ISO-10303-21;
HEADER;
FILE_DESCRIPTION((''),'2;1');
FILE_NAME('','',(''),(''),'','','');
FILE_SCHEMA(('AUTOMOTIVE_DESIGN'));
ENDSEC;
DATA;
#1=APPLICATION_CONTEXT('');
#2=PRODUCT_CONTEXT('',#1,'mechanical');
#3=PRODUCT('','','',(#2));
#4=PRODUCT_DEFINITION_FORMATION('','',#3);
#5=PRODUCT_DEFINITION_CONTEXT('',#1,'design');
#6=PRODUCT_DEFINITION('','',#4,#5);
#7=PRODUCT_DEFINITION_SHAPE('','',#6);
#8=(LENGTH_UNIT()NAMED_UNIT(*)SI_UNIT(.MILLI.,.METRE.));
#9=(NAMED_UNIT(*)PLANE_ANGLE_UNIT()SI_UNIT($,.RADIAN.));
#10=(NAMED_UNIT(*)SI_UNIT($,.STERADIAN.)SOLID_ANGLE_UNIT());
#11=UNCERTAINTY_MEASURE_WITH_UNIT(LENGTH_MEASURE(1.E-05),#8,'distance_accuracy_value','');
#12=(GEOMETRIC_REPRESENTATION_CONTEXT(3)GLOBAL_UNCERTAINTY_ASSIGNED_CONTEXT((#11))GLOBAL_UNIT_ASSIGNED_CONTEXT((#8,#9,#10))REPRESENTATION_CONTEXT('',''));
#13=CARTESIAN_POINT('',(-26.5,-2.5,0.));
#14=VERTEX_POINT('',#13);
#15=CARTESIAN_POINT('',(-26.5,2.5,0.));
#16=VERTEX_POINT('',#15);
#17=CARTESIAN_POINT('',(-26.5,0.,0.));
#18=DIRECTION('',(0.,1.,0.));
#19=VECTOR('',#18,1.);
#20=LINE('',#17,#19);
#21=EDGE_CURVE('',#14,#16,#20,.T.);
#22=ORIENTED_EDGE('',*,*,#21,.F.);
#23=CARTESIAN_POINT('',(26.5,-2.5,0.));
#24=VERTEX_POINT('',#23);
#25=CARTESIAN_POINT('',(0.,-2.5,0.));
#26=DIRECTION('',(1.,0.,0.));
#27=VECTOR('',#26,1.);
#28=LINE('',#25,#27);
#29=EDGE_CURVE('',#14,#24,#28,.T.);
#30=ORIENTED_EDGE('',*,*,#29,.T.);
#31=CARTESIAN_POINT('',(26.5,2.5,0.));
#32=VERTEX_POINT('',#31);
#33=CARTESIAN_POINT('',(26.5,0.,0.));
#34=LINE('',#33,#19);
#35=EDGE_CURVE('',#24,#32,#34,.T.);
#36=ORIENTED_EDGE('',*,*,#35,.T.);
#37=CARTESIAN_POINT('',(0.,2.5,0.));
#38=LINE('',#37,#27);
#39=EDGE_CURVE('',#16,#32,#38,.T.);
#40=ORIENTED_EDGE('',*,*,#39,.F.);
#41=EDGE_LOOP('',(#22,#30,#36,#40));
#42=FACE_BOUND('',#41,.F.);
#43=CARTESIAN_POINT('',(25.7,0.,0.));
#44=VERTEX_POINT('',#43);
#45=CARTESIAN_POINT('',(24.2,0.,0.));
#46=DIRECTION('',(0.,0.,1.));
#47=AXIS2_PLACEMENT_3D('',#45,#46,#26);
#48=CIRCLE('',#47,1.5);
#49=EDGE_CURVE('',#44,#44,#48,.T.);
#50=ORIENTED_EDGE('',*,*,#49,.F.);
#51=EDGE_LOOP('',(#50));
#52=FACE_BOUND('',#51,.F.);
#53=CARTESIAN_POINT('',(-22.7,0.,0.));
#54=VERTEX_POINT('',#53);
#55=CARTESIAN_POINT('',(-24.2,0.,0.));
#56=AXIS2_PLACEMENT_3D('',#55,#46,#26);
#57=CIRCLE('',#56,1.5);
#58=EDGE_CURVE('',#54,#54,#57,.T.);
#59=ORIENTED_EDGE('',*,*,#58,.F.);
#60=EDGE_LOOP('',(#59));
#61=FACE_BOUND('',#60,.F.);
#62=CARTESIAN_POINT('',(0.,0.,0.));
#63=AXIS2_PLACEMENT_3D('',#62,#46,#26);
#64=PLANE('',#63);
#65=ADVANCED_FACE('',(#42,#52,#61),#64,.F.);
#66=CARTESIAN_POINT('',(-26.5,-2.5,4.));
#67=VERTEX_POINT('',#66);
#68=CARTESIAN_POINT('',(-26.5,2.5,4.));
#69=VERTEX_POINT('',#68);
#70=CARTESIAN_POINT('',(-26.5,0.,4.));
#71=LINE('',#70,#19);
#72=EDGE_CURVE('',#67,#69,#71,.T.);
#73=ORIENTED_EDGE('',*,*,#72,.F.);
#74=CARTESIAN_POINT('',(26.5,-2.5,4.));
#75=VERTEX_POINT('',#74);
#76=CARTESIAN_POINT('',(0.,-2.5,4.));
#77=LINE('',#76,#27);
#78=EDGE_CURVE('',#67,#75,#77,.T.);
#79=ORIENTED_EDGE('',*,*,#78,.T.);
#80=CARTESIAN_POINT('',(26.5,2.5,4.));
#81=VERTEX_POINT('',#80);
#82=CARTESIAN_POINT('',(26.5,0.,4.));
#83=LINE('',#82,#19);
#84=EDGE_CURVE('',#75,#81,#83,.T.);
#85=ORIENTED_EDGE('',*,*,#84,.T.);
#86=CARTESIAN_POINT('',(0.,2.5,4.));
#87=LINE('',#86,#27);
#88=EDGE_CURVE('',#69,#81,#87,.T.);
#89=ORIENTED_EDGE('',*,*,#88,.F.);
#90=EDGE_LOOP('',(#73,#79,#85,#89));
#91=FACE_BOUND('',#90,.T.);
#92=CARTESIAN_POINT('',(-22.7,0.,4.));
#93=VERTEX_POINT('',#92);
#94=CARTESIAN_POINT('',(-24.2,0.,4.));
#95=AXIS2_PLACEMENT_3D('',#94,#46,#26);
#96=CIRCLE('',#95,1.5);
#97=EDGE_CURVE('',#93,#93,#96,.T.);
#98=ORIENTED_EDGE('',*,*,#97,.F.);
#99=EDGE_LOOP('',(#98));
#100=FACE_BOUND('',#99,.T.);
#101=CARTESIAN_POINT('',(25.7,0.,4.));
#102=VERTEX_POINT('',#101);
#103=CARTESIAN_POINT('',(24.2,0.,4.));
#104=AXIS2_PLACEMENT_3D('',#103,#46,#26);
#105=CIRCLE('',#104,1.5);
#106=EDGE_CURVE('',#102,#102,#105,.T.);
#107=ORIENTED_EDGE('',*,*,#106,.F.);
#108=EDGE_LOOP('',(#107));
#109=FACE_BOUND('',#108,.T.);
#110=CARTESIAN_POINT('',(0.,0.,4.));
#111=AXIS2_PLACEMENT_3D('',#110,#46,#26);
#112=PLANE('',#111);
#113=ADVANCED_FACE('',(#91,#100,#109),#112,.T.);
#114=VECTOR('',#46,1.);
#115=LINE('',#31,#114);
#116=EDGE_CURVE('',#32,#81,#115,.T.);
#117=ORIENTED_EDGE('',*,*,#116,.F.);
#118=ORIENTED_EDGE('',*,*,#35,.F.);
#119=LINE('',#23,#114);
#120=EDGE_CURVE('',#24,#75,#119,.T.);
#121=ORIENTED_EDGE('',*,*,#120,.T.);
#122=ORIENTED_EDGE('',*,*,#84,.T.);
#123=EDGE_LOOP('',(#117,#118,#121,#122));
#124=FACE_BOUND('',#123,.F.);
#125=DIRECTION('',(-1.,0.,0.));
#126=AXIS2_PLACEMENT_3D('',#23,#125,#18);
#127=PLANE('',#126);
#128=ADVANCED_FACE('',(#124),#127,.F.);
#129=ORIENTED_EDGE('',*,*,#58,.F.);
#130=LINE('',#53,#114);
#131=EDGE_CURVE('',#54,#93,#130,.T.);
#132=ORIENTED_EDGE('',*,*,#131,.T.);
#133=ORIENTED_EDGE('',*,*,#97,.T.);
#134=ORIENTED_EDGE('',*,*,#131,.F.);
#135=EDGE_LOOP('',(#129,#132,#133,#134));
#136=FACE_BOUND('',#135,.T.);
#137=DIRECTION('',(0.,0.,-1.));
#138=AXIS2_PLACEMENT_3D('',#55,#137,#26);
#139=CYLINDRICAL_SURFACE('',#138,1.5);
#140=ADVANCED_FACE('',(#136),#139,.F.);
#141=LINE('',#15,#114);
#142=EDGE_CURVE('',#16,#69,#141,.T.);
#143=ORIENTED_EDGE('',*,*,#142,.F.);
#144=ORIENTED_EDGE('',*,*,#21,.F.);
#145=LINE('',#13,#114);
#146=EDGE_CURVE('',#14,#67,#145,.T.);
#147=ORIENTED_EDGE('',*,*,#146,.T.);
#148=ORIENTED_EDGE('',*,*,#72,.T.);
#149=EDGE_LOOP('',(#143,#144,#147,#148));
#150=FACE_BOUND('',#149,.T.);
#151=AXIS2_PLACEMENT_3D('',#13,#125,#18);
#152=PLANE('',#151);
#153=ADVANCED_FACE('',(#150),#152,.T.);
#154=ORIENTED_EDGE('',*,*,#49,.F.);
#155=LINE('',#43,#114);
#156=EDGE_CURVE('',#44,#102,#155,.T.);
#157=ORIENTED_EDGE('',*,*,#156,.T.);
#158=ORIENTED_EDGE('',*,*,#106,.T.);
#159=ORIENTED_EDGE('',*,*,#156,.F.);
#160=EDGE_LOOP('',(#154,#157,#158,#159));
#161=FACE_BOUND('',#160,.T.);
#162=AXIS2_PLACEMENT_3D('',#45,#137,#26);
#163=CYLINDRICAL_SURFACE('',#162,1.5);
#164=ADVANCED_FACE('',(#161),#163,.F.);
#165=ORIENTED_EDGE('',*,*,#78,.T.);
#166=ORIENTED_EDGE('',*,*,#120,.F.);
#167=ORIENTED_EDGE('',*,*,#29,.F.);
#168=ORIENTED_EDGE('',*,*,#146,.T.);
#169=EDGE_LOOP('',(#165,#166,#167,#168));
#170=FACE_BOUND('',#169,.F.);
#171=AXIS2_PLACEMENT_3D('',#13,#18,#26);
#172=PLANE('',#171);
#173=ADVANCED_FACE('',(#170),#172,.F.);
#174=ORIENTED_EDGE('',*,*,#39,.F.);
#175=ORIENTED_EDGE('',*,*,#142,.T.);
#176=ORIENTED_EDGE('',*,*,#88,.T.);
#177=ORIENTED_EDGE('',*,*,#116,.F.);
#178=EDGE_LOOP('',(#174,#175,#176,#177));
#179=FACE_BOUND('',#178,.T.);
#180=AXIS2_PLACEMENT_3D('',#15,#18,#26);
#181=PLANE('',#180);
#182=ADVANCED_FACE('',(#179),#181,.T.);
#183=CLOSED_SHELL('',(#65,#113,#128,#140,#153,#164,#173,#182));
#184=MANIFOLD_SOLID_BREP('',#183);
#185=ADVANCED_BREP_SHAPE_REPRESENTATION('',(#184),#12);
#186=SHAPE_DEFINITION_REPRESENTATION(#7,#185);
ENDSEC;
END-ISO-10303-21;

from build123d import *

# Parameters (mm, degrees)
SKETCH_W  = 53
SKETCH_H  = 5
SKETCH_R  = 1.5
PAD_DEPTH = 4


with BuildPart() as part:
    # Sketch → Pad (new body)
    with BuildSketch(Plane.XY):
        Rectangle(SKETCH_W, SKETCH_H)
        with Locations((-24.2, 0)):
            Circle(SKETCH_R, mode=Mode.SUBTRACT)
        with Locations((24.2, 0)):
            Circle(SKETCH_R, mode=Mode.SUBTRACT)
    extrude(amount=PAD_DEPTH)


solid = part.part
